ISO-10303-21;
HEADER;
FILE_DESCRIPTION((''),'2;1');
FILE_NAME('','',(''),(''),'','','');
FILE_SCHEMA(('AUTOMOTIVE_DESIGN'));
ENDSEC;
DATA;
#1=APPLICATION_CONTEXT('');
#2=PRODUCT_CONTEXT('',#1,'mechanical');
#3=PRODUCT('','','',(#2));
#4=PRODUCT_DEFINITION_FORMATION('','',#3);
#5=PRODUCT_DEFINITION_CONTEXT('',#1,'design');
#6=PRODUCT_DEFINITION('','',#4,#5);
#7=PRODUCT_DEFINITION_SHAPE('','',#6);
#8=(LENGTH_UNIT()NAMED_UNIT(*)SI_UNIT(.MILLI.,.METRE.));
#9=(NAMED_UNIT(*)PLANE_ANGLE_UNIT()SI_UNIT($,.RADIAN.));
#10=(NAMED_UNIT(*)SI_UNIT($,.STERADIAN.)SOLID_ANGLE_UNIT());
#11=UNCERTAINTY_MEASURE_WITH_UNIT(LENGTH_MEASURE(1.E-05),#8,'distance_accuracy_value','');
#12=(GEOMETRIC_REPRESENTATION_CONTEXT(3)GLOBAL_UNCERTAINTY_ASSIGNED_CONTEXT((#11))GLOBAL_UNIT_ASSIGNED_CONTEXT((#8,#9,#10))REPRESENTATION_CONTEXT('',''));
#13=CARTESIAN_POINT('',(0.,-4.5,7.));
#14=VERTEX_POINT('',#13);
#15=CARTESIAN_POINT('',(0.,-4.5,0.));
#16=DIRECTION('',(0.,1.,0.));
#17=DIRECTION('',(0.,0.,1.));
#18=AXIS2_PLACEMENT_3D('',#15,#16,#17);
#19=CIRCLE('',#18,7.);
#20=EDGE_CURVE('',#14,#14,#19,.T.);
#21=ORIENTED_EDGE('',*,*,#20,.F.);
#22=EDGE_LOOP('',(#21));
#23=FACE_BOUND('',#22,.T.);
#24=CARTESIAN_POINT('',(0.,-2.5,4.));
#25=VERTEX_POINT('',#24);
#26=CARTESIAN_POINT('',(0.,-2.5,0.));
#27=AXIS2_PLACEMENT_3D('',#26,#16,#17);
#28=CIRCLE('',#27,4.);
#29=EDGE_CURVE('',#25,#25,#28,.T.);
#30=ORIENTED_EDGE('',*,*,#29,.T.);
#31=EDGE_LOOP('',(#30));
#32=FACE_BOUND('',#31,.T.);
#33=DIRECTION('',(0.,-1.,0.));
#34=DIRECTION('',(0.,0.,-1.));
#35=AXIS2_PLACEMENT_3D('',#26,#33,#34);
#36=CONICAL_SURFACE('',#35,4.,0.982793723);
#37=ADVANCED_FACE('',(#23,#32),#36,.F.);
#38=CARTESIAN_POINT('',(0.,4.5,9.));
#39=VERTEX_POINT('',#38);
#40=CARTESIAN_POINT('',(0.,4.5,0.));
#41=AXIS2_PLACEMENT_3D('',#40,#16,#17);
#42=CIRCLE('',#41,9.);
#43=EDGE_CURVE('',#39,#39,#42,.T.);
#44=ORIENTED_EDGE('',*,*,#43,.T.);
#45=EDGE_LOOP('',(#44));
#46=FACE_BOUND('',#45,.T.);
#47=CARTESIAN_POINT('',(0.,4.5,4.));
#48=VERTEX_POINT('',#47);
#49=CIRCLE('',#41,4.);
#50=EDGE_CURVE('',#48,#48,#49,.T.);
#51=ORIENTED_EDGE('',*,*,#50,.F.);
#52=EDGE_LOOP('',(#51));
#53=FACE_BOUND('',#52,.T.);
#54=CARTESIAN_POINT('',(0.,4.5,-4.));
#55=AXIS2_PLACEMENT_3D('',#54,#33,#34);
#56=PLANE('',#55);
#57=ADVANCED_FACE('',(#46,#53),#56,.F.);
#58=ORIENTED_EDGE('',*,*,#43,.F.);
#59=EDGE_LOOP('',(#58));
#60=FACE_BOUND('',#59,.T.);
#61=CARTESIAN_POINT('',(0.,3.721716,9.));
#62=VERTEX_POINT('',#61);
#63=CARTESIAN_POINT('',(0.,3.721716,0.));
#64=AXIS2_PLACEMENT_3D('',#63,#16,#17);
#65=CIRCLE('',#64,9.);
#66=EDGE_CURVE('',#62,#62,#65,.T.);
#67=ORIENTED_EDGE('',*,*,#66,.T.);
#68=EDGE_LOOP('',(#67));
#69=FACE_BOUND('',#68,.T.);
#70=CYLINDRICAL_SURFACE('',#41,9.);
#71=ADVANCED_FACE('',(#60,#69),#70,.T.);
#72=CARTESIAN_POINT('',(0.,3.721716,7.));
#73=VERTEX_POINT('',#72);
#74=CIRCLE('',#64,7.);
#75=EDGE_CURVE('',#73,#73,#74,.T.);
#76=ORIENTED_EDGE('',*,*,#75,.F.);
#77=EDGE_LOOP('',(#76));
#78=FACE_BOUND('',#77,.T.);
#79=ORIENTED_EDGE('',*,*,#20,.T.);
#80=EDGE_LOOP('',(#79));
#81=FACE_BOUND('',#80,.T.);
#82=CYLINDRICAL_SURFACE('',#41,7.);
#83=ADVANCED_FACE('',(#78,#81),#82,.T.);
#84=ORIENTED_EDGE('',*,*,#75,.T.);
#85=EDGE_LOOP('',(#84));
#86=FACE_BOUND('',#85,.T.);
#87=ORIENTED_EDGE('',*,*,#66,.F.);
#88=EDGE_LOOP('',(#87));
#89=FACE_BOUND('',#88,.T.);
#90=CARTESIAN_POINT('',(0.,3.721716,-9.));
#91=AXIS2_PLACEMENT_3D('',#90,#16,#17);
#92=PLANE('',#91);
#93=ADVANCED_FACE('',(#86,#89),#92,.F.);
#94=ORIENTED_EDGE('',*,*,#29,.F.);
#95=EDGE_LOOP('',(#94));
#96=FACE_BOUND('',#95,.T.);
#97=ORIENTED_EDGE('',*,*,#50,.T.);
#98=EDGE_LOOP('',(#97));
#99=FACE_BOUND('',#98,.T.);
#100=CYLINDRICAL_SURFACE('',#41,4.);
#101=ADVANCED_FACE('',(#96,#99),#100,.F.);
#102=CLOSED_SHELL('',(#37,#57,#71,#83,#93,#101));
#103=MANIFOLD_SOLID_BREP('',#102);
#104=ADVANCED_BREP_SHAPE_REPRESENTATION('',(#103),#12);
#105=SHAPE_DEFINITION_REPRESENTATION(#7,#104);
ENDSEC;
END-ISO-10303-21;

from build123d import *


with BuildPart() as part:
    # Sketch1 → Revolve1 (revolve)
    with BuildSketch(Plane(origin=(0, 0, 0), x_dir=(0, 0, -1), z_dir=(1, 0, 0))):
        Polygon((7, -4.5), (4, -2.5), (4, 4.5), (9, 4.5), (9, 3.721715759), (7, 3.721715759), align=None)
    revolve(axis=Axis((0, 4.5, 0), (0, -1, 0)))


solid = part.part
